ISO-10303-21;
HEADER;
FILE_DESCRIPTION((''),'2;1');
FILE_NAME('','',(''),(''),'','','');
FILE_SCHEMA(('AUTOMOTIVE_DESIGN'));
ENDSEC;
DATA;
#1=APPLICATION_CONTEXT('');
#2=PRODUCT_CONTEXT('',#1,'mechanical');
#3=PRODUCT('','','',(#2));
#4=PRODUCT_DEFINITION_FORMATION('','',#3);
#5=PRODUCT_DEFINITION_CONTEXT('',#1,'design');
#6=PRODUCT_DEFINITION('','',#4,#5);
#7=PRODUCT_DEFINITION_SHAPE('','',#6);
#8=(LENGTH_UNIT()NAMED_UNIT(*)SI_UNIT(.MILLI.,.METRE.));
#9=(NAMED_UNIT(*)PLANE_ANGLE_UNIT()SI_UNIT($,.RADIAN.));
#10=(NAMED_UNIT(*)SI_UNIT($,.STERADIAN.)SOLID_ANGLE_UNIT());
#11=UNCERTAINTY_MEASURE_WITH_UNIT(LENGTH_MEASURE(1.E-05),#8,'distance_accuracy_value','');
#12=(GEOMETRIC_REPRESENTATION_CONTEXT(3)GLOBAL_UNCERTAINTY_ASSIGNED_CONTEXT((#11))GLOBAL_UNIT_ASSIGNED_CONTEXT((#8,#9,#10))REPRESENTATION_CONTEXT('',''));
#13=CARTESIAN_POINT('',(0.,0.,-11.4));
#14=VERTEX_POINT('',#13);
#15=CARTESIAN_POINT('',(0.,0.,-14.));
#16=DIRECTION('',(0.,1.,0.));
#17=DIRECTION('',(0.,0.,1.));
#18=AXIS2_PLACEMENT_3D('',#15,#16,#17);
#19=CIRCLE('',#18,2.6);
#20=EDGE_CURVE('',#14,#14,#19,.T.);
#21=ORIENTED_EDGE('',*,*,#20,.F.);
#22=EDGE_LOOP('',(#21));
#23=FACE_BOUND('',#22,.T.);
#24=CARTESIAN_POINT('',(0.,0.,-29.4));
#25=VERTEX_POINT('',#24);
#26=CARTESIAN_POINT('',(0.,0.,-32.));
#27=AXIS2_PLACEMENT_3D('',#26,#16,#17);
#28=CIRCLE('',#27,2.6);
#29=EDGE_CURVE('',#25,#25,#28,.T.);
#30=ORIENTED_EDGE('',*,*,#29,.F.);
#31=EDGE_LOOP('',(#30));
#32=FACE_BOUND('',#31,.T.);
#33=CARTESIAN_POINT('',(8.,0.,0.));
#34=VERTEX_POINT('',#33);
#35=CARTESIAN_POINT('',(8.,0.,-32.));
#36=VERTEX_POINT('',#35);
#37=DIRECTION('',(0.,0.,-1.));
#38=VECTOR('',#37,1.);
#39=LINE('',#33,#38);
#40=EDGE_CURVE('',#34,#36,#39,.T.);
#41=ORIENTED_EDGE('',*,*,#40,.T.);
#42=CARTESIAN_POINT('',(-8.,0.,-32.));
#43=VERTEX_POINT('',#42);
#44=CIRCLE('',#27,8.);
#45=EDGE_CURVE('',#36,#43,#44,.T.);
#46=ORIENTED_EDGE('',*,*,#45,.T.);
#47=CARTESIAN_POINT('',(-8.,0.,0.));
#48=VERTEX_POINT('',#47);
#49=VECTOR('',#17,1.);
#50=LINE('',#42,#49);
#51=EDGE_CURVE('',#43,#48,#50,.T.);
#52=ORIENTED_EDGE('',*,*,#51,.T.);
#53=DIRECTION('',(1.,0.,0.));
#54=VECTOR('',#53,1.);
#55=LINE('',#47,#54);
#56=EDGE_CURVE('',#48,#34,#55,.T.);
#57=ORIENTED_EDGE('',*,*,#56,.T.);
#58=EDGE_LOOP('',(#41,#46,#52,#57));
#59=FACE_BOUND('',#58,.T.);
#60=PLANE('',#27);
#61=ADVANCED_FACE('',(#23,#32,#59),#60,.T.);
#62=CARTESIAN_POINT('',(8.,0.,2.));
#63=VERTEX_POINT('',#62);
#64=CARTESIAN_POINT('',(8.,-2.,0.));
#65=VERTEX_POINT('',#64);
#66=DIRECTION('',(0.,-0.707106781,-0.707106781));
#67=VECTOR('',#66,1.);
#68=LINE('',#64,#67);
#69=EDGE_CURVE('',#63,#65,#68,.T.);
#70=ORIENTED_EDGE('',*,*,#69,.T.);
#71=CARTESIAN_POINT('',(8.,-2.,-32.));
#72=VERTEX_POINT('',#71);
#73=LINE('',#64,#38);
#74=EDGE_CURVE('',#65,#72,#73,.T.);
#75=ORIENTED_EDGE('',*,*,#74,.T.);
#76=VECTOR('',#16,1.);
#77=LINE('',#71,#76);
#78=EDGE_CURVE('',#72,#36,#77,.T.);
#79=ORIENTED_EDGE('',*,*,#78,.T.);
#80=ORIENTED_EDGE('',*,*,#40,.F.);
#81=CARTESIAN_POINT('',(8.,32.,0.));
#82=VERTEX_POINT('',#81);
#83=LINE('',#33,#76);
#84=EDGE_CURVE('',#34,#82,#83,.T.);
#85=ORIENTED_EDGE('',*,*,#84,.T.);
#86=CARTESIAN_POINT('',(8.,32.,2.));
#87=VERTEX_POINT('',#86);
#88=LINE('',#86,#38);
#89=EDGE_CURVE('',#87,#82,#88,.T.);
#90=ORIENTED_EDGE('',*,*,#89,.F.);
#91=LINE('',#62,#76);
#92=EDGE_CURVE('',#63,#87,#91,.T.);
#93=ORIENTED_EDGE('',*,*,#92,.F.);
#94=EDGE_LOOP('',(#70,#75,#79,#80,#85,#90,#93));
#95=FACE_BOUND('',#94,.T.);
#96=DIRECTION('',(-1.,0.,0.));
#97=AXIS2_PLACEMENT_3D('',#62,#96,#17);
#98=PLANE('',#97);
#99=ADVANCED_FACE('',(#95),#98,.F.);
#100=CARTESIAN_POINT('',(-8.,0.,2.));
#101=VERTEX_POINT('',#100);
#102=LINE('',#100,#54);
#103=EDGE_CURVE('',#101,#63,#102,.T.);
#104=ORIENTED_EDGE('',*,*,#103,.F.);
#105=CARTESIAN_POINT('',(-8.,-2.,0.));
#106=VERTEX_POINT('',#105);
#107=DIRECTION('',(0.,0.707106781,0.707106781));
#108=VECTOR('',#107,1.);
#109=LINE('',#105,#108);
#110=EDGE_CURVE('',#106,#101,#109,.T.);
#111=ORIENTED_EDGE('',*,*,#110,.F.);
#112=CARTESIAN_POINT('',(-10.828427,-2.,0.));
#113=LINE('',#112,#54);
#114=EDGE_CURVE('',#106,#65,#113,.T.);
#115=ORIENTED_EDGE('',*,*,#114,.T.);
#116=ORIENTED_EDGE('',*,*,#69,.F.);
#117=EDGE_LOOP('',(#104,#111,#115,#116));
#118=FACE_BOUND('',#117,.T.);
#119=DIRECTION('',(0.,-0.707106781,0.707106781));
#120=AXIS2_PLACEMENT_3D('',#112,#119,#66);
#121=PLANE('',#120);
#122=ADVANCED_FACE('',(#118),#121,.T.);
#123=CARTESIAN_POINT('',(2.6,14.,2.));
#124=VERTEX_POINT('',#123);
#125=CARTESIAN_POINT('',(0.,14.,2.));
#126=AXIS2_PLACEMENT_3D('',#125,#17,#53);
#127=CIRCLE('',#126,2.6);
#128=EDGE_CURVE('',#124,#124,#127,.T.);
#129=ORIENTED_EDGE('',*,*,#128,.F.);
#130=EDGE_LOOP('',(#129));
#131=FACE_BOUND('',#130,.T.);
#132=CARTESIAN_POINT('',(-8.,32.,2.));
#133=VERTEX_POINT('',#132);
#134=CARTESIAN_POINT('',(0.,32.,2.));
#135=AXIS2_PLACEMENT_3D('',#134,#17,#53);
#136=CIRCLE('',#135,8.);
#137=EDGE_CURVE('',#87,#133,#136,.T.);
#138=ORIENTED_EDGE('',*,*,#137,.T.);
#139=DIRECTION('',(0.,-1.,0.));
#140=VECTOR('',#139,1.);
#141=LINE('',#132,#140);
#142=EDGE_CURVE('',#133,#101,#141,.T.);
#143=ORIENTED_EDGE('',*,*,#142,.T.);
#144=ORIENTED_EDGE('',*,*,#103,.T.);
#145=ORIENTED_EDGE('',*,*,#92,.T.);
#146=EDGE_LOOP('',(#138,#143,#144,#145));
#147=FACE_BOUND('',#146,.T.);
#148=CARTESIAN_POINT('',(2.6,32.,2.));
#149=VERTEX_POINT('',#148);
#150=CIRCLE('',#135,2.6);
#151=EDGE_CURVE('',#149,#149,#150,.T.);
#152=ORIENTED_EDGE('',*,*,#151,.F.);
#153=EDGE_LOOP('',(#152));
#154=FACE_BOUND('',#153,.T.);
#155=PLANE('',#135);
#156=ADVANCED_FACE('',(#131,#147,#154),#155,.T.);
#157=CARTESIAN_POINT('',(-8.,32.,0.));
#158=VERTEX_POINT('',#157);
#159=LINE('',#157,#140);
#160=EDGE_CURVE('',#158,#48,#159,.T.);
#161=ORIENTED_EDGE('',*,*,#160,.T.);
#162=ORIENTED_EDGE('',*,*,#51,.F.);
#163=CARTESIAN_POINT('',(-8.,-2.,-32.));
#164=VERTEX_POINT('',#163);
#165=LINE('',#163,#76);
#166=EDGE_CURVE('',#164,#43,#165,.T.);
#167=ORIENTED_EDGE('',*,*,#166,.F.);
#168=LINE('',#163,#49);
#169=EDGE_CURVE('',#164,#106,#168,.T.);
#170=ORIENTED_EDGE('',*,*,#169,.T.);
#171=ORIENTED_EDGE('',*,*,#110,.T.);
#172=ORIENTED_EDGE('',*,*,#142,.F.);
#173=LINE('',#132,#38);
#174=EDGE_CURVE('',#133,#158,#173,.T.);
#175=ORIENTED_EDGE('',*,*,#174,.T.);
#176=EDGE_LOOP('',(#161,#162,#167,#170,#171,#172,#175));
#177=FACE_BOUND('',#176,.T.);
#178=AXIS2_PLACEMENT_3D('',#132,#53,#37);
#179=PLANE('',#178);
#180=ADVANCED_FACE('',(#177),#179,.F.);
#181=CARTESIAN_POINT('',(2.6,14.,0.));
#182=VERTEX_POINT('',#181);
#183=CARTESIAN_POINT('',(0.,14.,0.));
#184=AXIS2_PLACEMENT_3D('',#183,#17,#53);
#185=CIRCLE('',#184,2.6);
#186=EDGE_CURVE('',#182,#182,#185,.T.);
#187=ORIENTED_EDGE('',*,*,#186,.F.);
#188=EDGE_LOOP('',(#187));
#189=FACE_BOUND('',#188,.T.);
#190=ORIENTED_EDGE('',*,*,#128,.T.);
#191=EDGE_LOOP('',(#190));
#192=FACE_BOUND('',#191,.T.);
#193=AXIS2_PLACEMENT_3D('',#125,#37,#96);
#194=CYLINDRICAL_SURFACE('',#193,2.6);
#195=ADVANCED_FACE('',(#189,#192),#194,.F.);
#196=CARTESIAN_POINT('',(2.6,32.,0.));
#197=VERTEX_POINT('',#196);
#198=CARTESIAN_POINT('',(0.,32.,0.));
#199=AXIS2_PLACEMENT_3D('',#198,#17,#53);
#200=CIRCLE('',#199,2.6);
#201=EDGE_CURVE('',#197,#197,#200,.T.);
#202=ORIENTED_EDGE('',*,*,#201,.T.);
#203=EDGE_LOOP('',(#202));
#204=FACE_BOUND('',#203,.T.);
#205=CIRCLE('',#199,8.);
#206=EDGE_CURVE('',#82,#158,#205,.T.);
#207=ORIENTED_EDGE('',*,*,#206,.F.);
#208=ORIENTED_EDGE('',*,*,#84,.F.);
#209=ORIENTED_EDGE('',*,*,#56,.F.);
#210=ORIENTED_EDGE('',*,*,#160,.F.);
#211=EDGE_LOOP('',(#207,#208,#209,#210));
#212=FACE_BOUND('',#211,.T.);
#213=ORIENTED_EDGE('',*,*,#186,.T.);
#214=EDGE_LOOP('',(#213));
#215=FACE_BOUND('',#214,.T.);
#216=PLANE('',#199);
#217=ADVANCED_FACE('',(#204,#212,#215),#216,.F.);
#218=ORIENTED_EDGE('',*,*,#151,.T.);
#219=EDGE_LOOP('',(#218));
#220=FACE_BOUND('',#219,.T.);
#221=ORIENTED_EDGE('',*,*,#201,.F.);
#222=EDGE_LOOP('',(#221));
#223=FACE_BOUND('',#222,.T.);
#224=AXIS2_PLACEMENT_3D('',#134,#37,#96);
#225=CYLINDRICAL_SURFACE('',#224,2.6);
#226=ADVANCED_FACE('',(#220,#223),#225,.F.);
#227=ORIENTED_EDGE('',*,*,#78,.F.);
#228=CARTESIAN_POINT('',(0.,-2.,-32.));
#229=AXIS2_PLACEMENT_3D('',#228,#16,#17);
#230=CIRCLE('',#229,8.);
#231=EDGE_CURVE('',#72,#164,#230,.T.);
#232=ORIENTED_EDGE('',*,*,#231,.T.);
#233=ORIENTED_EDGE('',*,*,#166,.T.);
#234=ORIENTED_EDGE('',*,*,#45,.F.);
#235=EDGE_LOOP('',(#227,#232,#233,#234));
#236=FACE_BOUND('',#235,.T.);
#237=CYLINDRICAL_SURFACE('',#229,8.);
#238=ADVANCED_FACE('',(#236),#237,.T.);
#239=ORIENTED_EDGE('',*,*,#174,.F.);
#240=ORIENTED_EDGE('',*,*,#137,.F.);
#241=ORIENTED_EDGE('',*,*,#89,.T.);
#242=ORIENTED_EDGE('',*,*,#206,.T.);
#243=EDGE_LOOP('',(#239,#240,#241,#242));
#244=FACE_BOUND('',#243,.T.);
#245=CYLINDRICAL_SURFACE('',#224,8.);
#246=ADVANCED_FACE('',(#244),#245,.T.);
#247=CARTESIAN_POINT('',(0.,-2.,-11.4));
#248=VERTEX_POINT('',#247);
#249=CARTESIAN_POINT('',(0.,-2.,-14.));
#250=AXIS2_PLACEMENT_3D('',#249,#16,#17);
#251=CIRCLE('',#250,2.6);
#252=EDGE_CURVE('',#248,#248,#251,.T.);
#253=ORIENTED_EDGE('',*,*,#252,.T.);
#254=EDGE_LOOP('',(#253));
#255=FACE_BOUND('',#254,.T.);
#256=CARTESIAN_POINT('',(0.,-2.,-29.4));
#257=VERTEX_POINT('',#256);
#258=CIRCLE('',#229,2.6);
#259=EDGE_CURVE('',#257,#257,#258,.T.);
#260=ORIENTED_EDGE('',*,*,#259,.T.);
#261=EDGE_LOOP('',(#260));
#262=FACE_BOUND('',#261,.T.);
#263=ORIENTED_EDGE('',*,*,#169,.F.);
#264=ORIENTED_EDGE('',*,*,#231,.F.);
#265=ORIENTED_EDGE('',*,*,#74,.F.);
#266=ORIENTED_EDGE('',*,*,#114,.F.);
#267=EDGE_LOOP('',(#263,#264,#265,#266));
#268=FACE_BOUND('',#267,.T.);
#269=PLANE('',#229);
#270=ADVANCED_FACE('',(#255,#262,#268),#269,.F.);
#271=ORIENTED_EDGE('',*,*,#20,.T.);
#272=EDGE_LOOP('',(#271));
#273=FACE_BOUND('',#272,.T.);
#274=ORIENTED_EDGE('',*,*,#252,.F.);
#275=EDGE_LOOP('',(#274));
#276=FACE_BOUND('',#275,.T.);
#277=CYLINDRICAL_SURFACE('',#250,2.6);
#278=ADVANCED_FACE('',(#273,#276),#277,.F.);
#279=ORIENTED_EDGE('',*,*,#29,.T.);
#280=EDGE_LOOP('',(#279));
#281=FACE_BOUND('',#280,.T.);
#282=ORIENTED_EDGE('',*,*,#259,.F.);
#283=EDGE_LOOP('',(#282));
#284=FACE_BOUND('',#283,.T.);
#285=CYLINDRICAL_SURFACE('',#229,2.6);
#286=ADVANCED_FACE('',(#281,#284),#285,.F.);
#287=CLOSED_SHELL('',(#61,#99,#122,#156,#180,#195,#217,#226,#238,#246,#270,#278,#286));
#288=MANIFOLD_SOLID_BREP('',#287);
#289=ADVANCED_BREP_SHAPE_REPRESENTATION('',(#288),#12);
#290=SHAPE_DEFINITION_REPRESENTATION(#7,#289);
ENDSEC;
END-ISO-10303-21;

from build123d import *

# Parameters (mm, degrees)
SKETCH_1_R      = 2.6
EXTRUDE_1_DEPTH = 2
SKETCH_2_R      = 2.6
EXTRUDE_2_DEPTH = 2
EXTRUDE_3_DEPTH = 16


with BuildPart() as part:
    # 草图1 → 凸台-拉伸1 (new body)
    with BuildSketch(Plane.XY):
        with BuildLine():
            Line((-8, 32), (-8, 0))
            Line((-8, 0), (8, 0))
            Line((8, 0), (8, 32))
            ThreePointArc((8, 32), (0, 40), (-8, 32))
        make_face()
        with Locations((0, 32)):
            Circle(SKETCH_1_R, mode=Mode.SUBTRACT)
        with Locations((0, 14)):
            Circle(SKETCH_1_R, mode=Mode.SUBTRACT)
    extrude(amount=EXTRUDE_1_DEPTH)



with BuildPart() as body_2:
    # 草图2 → 凸台-拉伸2 (new body)
    with BuildSketch(Plane(origin=(0, 0, 0), x_dir=(1, 0, 0), z_dir=(0, 1, 0))):
        with BuildLine():
            Line((-8, 32), (-8, 0))
            Line((-8, 0), (8, 0))
            Line((8, 0), (8, 32))
            ThreePointArc((8, 32), (0, 40), (-8, 32))
        make_face()
        with Locations((0, 32)):
            Circle(SKETCH_2_R, mode=Mode.SUBTRACT)
        with Locations((0, 14)):
            Circle(SKETCH_2_R, mode=Mode.SUBTRACT)
    extrude(amount=-EXTRUDE_2_DEPTH)


with BuildPart() as part_1:
    add(part.part)

    add(body_2.part)  # 凸台-拉伸3 merges body 2
    # 草图3 → 凸台-拉伸3 (add)
    with BuildSketch(Plane(origin=(8, 0, 0), x_dir=(0, 0, -1), z_dir=(1, 0, 0))):
        Polygon((0, 0), (0, -2), (-2, 0), align=None)
    extrude(amount=-EXTRUDE_3_DEPTH)


solid = part_1.part
